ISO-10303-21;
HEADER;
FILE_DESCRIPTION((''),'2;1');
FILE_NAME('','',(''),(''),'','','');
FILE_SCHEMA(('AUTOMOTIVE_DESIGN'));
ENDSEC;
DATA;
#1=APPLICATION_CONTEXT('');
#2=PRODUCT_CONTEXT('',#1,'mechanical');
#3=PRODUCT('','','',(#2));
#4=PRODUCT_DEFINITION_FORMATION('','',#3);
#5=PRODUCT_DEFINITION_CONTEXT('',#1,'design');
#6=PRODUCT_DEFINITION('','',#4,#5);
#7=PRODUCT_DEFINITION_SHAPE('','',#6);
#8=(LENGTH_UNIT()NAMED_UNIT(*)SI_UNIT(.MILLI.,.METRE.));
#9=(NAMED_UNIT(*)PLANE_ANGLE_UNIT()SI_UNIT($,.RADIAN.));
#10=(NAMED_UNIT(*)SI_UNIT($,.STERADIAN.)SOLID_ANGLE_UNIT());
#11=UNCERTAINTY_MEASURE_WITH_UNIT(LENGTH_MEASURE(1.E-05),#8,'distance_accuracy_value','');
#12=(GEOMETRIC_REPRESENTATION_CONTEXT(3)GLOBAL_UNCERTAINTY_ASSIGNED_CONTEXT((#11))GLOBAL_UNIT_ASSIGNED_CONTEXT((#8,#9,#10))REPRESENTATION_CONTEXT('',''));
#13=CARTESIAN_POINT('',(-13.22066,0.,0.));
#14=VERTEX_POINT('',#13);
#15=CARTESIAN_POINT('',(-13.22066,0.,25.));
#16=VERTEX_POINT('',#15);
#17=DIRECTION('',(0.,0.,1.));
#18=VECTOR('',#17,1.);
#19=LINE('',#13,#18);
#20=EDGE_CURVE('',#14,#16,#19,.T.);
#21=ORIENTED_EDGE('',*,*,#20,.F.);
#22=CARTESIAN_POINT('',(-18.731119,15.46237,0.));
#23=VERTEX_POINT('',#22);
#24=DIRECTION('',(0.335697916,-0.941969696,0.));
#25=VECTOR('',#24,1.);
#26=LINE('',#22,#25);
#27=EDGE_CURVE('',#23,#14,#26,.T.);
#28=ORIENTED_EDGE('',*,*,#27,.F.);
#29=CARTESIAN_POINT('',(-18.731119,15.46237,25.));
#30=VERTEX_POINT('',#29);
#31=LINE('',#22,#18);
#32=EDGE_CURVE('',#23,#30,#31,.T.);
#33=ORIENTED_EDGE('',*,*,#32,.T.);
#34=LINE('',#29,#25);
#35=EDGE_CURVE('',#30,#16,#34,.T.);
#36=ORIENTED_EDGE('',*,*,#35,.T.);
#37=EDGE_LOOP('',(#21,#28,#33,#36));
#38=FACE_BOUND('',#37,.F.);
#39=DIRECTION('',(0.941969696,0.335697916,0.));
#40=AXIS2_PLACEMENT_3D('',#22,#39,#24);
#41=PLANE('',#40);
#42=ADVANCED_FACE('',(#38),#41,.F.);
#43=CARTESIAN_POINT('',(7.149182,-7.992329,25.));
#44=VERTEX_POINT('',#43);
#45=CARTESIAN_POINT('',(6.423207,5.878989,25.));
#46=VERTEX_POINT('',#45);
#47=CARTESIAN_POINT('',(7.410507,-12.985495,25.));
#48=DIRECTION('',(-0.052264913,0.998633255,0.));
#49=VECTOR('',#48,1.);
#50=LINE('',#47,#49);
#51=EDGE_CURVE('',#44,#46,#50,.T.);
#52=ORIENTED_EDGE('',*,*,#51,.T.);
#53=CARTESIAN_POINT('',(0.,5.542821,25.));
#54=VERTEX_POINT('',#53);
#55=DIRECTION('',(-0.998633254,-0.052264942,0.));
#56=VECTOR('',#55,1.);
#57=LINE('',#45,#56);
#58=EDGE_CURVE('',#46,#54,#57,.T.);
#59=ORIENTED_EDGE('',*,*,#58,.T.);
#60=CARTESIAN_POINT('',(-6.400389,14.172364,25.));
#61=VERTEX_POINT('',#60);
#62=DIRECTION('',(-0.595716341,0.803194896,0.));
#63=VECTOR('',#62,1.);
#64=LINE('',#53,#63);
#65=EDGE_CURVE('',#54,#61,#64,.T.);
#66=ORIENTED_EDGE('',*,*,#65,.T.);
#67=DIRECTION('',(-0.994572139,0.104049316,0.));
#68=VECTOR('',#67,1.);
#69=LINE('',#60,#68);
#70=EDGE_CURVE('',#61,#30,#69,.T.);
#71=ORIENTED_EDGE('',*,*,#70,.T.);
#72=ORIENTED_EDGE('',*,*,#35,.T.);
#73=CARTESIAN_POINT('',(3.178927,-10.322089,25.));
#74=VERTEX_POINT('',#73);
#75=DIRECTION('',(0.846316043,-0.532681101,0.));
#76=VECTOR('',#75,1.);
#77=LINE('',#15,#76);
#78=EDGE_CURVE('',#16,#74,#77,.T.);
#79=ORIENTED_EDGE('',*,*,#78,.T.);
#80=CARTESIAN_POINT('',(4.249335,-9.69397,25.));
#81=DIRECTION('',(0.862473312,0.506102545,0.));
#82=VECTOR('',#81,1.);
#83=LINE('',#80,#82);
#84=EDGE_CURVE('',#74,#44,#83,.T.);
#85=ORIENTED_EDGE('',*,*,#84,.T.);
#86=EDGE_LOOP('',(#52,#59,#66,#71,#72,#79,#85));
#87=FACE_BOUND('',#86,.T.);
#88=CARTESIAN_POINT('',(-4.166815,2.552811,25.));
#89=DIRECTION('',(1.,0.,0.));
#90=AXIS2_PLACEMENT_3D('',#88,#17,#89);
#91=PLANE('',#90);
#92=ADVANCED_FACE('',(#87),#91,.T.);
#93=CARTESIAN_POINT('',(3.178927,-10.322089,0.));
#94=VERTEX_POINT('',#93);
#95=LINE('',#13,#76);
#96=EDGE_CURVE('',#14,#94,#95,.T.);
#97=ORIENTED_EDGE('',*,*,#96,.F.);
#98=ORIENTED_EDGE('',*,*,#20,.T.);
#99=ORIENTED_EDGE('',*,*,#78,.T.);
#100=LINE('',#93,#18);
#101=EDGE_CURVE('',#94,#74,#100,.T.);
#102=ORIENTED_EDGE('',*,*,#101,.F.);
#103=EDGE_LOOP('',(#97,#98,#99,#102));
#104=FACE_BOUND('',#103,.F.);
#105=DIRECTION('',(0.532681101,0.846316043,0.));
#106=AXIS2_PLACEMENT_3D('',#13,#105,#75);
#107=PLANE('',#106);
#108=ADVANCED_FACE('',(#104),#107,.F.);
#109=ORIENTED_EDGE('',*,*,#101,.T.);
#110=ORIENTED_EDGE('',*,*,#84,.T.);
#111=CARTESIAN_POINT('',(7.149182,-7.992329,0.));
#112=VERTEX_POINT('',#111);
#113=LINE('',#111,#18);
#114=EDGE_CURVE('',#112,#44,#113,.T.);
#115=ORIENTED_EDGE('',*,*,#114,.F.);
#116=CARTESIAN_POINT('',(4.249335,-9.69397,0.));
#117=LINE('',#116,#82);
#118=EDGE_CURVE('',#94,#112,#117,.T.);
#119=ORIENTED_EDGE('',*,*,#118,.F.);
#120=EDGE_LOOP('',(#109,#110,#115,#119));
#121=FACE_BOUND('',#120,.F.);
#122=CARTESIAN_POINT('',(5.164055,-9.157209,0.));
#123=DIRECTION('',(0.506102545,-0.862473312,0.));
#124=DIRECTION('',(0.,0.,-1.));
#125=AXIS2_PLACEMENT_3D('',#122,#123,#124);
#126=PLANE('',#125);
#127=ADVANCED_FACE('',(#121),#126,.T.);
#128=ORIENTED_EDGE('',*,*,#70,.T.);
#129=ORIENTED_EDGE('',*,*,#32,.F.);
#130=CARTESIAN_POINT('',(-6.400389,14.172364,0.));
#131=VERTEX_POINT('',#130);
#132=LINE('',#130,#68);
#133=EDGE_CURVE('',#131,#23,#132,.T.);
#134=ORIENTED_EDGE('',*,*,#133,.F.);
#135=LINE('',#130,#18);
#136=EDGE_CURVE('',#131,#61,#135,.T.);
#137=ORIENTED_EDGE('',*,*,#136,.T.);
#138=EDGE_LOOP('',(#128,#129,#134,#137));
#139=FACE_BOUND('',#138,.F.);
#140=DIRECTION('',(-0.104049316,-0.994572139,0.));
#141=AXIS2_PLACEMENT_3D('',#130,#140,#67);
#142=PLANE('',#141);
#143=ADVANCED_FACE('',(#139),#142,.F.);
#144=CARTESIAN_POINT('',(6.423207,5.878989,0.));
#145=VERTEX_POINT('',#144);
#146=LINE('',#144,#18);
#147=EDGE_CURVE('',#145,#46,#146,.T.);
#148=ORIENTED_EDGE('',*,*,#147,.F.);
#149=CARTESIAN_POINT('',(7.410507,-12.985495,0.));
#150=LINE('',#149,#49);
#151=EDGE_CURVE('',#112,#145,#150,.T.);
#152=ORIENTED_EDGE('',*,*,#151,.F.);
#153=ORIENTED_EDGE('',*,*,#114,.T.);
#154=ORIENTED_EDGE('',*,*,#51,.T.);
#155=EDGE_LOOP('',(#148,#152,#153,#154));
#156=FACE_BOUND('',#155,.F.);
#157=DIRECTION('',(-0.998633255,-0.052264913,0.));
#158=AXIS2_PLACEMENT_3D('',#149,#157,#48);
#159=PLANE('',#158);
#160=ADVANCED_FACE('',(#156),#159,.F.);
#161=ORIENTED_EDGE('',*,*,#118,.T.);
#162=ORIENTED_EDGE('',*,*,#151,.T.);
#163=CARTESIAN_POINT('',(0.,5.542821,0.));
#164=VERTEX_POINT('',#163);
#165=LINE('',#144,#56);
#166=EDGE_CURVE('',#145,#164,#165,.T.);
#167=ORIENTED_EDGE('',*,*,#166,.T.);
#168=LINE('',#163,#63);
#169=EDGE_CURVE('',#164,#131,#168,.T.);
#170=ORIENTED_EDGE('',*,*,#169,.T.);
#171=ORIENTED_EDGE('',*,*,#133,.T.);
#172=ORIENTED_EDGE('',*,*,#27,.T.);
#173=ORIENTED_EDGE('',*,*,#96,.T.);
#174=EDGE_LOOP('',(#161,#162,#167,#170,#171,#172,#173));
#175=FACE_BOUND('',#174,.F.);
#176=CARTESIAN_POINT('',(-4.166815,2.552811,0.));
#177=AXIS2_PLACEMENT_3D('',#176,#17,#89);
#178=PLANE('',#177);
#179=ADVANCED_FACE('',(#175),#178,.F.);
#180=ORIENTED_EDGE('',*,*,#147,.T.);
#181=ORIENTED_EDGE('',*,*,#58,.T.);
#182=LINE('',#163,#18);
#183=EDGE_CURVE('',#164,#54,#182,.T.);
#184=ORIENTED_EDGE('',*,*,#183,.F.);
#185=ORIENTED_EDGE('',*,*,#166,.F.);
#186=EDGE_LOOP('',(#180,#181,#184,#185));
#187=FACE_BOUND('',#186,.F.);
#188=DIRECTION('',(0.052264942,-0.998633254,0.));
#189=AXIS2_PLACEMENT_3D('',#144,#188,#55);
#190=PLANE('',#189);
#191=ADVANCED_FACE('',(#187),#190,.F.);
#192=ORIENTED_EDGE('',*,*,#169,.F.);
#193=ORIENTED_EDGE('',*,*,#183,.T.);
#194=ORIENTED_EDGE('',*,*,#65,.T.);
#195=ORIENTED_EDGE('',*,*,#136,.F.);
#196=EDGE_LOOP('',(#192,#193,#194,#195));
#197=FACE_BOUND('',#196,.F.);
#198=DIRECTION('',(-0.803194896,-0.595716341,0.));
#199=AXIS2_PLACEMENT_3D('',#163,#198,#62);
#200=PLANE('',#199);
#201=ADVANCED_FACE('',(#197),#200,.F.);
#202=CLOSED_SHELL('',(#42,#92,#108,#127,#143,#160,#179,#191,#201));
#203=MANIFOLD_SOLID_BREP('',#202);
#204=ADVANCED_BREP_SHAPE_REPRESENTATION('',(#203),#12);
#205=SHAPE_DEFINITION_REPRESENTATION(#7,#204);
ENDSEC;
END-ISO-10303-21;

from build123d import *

# Parameters (mm, degrees)
F1_DEPTH = 25
F2_SIZE  = 5


with BuildPart() as f1:
    # F0 (on Top) → F1 (new body)
    with BuildSketch(Plane.XY):
        Polygon((-18.731119, 15.46237), (-13.22066, 0), (7.410507, -12.985495), (6.423207, 5.878989), (0, 5.542821), (-6.400389, 14.172364), align=None)
    extrude(amount=F1_DEPTH)

    # F2
    f2_edges = [f1.edges().sort_by_distance(p)[0] for p in [
        (7.410507, -12.985495, 12.5),
    ]]
    chamfer(f2_edges, length=F2_SIZE)


solid = f1.part
